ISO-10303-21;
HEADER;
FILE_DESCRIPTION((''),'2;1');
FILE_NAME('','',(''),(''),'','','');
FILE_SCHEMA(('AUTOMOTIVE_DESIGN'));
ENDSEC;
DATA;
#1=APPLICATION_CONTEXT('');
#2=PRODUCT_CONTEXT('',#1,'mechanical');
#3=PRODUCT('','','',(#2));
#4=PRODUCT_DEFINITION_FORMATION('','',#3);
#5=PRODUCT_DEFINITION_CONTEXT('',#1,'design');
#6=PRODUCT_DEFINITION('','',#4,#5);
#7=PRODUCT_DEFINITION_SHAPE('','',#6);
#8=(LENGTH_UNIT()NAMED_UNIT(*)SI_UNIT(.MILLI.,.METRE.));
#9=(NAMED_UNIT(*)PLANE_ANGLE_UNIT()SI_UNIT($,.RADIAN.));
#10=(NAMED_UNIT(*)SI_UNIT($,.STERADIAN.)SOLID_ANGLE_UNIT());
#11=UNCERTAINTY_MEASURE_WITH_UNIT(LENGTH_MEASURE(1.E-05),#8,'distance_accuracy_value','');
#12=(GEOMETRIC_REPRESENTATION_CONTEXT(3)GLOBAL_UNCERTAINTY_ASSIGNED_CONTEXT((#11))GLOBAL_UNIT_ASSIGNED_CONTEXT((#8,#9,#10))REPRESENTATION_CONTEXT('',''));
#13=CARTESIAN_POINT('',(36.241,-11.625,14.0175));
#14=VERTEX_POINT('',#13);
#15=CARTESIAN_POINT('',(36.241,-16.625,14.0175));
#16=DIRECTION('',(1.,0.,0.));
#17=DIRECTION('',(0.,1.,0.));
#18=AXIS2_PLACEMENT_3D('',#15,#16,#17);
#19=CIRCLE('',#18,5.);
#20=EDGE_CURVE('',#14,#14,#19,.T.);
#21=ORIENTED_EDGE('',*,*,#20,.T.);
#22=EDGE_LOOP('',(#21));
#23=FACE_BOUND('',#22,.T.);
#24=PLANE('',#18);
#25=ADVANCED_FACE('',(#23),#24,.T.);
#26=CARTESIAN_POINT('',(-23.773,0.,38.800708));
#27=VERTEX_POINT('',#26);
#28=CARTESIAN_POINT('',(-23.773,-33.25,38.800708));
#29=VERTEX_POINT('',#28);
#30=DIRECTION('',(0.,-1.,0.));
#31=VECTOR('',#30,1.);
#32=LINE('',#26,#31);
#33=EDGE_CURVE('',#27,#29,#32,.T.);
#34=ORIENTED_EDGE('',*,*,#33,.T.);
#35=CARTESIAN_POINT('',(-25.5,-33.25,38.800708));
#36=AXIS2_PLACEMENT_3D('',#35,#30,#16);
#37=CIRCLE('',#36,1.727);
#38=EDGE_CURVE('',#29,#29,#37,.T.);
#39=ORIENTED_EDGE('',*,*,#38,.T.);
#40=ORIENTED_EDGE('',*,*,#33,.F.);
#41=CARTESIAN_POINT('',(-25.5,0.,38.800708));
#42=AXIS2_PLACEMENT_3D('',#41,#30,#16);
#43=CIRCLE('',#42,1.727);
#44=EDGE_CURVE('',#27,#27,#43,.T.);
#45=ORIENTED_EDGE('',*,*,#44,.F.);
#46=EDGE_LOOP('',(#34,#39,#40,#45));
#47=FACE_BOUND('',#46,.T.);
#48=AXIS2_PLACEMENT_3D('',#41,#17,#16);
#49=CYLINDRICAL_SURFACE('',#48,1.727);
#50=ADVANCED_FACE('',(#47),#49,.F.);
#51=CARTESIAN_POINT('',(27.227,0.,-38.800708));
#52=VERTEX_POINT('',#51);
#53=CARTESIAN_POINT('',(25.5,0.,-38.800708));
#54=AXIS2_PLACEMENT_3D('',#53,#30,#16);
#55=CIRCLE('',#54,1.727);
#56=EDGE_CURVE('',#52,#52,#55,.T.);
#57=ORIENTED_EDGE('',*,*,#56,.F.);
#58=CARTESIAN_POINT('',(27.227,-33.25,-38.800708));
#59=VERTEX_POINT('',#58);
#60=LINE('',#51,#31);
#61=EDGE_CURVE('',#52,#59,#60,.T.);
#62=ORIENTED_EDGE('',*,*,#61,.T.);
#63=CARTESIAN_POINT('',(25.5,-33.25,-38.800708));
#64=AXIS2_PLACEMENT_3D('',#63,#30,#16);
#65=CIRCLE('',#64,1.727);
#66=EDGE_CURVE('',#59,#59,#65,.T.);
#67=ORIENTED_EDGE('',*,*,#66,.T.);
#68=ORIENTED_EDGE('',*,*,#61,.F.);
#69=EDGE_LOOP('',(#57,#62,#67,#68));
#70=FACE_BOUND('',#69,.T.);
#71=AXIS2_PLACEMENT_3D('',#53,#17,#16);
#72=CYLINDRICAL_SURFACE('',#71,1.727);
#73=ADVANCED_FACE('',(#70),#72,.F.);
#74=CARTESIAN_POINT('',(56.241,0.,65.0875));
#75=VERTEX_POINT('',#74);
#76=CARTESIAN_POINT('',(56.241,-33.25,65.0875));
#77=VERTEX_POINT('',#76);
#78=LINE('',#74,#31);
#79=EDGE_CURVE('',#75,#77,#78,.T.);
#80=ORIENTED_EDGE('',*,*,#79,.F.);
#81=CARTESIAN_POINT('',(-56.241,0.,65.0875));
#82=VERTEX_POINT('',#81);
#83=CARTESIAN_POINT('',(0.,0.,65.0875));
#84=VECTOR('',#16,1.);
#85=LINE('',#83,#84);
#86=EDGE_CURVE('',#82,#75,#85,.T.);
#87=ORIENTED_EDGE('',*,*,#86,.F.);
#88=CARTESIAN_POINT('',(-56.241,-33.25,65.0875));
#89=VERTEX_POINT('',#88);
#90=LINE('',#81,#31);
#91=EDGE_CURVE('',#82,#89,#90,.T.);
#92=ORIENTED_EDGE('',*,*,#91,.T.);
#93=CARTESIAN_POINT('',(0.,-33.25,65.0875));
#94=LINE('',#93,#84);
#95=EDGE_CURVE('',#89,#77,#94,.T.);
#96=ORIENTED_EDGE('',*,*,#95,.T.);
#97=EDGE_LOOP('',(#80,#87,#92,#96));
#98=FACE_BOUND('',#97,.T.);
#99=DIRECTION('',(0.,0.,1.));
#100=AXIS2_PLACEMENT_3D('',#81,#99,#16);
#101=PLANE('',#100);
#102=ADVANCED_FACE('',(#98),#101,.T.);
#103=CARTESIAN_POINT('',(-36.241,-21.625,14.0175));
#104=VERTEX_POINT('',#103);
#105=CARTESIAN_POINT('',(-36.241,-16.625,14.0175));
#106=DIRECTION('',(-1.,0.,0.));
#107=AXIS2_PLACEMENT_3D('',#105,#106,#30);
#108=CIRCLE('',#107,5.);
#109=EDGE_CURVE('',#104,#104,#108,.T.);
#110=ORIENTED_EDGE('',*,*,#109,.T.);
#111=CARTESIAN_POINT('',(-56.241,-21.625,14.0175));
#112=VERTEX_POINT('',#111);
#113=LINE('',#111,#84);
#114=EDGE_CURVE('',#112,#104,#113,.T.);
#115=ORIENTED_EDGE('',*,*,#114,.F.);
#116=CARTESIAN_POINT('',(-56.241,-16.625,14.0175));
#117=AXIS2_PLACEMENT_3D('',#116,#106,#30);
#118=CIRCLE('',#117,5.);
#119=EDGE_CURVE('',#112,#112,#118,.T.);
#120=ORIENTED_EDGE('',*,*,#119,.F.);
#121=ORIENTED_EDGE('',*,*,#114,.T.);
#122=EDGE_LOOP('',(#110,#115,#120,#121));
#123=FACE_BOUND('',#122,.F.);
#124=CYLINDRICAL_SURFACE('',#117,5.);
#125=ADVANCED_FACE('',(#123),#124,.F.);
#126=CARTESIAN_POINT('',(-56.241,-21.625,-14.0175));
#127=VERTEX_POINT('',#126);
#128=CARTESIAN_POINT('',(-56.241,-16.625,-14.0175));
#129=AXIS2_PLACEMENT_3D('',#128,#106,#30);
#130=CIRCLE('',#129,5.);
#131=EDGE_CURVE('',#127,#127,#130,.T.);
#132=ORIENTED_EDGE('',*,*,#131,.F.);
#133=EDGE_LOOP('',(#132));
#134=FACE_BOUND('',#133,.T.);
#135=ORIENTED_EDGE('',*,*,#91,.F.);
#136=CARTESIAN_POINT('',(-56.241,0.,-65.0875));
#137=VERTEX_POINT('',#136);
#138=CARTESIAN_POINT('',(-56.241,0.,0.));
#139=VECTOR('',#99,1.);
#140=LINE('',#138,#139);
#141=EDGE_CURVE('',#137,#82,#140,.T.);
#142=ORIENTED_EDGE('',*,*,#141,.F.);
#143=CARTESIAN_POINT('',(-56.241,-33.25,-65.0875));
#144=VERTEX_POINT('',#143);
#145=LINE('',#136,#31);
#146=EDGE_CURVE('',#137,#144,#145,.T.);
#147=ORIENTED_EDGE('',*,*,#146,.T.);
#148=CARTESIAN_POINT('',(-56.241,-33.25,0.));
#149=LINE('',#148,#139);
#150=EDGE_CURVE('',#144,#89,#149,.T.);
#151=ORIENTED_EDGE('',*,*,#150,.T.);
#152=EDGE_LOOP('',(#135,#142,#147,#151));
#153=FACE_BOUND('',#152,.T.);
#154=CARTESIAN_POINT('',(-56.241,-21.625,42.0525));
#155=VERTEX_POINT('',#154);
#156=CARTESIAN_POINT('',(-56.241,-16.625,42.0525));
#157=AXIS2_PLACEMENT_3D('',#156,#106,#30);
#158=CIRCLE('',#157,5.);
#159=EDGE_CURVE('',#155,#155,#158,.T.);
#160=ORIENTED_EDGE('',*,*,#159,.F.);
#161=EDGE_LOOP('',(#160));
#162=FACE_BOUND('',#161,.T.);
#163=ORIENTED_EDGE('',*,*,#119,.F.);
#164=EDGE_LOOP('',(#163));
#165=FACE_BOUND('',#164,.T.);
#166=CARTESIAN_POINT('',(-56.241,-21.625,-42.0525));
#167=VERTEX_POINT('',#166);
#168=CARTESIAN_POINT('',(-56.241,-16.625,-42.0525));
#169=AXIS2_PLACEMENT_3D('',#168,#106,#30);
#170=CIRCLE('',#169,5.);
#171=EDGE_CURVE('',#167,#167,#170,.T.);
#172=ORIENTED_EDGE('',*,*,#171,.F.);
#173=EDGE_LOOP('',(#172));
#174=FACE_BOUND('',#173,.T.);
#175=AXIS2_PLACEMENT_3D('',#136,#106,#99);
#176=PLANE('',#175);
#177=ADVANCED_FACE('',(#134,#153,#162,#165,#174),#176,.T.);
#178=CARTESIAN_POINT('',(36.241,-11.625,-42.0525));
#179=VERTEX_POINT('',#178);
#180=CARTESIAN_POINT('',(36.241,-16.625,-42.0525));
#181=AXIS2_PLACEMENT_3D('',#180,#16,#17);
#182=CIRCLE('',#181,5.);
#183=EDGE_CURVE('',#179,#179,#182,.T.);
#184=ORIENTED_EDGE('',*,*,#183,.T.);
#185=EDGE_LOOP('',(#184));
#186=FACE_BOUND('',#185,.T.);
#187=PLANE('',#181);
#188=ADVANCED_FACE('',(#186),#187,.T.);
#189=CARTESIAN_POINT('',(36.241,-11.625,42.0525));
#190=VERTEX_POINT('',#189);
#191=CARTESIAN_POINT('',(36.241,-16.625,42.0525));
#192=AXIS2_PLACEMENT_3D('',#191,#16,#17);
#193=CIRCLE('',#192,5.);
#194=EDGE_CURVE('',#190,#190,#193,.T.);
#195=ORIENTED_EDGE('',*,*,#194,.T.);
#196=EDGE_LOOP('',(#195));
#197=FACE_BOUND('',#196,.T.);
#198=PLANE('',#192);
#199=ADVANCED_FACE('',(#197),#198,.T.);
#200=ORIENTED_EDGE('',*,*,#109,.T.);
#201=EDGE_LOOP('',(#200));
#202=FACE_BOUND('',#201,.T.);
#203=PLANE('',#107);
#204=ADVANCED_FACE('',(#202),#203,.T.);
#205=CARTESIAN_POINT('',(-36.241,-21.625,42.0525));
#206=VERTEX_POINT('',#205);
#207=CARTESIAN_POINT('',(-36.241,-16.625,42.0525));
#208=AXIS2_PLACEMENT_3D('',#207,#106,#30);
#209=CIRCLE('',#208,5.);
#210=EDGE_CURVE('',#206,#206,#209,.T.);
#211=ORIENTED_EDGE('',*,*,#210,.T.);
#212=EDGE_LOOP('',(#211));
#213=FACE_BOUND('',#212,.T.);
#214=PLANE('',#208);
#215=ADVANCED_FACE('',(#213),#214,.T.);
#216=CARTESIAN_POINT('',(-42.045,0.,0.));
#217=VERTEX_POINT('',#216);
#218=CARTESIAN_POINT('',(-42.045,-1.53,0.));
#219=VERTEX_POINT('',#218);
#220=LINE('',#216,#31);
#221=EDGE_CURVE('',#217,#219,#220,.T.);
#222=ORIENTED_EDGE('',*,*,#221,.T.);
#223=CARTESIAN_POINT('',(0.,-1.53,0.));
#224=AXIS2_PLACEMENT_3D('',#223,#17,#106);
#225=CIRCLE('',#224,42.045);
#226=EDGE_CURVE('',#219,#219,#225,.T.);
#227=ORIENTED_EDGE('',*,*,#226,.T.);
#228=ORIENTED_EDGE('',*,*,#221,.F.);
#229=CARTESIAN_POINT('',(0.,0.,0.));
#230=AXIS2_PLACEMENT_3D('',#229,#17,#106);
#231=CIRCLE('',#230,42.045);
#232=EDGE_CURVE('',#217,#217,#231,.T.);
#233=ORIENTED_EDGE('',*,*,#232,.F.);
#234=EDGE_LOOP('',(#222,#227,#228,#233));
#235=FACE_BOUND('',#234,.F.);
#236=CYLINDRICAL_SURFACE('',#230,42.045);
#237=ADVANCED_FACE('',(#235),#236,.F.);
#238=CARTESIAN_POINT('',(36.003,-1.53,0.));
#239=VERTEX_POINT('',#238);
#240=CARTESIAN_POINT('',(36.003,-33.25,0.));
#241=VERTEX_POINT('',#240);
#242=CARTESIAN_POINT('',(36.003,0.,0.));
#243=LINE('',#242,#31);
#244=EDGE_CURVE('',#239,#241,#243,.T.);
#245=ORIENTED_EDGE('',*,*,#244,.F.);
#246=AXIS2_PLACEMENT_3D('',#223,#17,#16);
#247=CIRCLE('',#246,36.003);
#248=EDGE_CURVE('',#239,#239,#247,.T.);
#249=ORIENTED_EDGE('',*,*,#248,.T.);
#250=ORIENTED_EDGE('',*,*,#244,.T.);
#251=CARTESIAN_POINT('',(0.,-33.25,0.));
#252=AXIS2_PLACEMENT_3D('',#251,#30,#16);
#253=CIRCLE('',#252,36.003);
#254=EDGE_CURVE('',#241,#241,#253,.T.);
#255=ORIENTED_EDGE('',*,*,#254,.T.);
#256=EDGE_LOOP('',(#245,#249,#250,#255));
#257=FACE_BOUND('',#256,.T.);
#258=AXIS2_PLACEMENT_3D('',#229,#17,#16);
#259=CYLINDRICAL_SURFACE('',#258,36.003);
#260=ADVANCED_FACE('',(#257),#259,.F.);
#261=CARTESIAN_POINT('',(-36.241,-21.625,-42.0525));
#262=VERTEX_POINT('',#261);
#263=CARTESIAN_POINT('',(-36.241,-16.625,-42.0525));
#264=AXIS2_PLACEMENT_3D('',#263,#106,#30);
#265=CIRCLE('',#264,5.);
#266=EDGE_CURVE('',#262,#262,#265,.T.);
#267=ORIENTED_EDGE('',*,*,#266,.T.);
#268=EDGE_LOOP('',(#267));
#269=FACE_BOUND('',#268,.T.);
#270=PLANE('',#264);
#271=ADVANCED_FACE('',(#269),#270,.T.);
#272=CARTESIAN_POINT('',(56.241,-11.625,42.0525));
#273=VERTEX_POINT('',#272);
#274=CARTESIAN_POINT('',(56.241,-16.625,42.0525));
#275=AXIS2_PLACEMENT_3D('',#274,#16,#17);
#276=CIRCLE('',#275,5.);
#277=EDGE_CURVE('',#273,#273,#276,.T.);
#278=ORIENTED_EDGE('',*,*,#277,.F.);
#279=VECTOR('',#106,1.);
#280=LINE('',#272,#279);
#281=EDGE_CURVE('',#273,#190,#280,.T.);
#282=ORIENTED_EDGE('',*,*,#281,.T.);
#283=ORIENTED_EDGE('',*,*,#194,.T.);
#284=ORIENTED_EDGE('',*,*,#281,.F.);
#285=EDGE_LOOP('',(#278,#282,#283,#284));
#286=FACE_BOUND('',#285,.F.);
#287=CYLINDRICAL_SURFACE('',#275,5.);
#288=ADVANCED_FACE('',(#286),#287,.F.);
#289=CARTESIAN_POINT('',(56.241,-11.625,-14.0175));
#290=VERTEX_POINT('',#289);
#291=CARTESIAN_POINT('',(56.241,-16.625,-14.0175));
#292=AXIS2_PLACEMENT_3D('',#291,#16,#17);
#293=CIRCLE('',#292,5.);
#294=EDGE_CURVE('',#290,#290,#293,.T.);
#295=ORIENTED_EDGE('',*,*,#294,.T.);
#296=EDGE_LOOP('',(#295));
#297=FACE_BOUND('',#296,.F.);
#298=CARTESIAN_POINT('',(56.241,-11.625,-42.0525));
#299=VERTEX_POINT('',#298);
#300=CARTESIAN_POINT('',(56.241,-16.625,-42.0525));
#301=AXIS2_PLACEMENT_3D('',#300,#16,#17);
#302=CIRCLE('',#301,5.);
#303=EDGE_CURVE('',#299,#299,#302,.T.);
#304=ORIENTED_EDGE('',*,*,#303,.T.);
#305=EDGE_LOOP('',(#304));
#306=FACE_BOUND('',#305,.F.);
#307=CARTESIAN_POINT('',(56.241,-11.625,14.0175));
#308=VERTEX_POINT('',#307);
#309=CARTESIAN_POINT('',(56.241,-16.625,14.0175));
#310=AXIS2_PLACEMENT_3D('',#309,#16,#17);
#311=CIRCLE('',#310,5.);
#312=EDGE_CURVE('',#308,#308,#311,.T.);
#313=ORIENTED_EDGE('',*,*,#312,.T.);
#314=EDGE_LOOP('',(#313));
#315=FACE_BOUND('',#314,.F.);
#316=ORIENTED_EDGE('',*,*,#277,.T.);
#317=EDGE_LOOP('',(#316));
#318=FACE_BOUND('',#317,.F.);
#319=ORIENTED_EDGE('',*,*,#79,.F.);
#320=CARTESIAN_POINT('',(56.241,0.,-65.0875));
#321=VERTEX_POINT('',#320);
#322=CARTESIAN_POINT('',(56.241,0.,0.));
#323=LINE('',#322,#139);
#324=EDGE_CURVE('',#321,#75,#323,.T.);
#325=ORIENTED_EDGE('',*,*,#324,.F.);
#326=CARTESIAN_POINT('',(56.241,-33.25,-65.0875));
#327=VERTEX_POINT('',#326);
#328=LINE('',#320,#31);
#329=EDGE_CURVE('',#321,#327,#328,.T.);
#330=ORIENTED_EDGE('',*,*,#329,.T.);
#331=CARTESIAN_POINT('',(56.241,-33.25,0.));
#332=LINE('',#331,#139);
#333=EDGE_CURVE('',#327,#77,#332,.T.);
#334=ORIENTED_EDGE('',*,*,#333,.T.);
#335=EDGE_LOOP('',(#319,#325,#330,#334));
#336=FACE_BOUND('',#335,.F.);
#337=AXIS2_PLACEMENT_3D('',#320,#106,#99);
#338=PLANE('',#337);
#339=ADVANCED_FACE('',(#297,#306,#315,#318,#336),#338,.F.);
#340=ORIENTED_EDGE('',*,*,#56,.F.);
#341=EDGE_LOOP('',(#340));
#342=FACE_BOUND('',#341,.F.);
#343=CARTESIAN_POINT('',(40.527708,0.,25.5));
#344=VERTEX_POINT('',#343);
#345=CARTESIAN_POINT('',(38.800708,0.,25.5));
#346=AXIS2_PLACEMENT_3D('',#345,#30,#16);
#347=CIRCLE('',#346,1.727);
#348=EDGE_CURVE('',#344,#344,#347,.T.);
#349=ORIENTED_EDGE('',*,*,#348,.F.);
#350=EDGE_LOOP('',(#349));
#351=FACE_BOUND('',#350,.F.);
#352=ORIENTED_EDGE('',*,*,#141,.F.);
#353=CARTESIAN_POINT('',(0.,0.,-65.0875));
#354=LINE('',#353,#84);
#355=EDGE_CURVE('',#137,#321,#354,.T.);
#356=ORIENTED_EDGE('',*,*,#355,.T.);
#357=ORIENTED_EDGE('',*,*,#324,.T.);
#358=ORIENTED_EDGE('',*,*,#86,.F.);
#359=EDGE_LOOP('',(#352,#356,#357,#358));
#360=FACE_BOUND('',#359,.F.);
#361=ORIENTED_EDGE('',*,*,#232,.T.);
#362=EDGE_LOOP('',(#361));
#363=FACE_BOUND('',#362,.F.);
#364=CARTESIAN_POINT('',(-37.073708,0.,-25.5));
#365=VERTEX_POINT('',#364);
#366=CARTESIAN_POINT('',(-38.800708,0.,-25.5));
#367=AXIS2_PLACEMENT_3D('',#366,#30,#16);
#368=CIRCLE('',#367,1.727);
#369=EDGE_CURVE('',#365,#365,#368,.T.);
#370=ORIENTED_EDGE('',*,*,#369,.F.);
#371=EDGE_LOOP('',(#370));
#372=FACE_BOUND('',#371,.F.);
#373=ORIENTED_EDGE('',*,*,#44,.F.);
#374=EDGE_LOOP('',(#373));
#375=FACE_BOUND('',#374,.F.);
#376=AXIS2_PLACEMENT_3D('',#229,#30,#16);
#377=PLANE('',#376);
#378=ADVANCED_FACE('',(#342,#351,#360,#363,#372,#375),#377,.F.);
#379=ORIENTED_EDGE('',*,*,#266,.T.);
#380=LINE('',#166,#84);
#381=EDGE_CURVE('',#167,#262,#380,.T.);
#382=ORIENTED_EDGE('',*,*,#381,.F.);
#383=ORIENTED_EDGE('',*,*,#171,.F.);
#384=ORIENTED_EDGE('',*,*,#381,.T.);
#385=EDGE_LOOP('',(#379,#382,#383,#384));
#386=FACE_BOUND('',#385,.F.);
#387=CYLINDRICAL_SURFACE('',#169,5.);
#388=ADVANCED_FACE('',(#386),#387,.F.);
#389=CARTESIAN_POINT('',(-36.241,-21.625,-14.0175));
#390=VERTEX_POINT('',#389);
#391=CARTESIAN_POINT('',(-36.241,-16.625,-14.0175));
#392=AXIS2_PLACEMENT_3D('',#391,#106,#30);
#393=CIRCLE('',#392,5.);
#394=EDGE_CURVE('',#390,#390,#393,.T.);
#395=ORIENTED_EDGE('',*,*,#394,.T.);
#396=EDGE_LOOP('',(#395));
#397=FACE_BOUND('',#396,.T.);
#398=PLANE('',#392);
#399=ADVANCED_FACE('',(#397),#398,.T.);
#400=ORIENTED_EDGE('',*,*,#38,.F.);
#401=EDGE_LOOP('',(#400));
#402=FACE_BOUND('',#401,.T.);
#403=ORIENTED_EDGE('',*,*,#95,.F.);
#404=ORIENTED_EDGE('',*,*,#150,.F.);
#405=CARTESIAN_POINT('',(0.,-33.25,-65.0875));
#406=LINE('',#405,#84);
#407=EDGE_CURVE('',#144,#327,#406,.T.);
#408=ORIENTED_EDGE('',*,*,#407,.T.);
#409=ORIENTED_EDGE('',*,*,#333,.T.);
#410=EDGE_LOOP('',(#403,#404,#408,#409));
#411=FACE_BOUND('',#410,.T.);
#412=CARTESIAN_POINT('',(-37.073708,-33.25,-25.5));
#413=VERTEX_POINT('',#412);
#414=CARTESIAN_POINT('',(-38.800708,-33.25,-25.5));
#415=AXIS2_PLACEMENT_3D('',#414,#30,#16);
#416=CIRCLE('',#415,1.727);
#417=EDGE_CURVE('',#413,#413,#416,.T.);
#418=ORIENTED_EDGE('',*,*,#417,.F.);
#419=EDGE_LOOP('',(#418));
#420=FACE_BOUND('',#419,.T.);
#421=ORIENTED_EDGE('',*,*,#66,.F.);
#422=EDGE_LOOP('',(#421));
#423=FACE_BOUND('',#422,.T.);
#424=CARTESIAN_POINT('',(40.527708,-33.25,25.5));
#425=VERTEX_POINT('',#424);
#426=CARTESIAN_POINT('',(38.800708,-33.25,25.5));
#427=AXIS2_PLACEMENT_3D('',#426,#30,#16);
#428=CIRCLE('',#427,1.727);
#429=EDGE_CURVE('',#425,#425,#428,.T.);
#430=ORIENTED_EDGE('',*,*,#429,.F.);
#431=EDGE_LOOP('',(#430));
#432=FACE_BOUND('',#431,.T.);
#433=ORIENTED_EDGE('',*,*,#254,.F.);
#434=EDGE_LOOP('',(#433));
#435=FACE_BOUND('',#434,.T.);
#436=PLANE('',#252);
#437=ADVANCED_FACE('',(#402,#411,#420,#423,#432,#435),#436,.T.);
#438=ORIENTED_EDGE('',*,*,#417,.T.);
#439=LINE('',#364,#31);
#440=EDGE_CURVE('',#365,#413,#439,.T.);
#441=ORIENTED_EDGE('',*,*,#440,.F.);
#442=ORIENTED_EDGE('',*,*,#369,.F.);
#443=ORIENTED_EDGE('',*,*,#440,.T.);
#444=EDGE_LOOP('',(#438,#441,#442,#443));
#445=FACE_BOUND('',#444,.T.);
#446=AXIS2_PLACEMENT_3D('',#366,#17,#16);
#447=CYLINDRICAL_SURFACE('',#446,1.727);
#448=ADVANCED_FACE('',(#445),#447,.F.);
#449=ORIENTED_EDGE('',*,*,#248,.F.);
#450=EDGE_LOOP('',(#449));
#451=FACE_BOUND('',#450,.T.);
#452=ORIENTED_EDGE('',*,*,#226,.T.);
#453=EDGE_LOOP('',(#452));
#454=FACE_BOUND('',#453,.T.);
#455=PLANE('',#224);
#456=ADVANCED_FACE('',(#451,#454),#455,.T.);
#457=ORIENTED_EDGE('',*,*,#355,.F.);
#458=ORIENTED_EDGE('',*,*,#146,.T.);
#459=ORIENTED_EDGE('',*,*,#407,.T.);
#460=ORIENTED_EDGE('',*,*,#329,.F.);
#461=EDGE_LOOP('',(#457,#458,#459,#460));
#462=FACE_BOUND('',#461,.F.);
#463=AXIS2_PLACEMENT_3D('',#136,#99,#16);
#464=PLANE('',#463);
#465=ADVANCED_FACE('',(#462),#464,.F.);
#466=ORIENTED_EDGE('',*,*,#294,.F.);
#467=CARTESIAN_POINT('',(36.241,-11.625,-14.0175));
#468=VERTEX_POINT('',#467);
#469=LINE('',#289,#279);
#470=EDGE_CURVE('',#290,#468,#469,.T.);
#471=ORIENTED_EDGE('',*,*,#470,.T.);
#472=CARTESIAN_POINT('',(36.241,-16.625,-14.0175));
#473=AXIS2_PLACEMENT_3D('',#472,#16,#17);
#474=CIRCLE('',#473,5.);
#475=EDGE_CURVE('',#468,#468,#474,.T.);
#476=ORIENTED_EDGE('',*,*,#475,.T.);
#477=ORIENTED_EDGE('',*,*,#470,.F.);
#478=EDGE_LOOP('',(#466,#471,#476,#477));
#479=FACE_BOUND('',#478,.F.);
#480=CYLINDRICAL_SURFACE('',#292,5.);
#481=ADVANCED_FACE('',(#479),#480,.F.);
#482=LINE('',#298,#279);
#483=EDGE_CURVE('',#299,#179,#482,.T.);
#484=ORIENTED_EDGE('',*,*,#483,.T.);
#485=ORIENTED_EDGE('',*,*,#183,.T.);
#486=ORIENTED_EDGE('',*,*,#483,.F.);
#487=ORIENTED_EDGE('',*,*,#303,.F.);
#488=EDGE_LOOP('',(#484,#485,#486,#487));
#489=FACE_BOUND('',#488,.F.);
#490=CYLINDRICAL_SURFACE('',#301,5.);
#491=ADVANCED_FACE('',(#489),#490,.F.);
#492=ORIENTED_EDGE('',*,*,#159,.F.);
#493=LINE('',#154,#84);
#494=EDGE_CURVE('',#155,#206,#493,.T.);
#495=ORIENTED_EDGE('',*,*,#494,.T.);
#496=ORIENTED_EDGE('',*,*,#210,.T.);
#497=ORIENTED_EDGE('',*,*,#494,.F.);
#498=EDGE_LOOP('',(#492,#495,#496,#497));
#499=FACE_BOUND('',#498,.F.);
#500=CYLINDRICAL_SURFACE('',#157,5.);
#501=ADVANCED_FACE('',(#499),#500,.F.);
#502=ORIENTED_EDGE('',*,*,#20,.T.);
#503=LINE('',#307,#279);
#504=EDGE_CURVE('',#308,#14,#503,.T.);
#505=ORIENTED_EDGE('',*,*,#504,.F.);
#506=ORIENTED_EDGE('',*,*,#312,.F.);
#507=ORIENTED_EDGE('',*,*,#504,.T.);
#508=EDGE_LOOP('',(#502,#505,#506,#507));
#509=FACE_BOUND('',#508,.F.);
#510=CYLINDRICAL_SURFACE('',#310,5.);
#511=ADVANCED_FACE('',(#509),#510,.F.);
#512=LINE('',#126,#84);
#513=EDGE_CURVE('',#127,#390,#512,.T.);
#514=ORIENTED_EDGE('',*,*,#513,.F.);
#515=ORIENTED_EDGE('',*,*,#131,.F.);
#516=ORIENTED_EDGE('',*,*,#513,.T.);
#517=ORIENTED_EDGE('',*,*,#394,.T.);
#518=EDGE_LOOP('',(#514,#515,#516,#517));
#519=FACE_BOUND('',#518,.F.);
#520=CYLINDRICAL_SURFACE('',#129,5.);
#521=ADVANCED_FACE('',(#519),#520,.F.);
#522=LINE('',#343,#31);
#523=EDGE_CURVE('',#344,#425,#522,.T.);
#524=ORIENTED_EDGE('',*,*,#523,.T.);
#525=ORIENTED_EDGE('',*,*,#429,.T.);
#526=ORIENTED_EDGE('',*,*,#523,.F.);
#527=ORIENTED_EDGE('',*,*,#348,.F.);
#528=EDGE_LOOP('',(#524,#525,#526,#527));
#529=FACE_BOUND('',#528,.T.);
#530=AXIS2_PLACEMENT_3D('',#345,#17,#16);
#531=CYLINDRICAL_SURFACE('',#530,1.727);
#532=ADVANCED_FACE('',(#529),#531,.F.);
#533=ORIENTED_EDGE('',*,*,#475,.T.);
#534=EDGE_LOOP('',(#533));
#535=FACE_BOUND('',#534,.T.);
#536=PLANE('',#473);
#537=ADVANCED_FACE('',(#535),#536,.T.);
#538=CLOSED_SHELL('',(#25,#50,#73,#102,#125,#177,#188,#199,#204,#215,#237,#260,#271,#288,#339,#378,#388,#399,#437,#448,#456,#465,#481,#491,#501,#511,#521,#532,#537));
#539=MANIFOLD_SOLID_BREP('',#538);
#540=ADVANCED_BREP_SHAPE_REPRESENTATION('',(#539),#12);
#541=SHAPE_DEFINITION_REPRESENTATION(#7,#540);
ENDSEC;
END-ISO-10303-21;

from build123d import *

# Parameters (mm, degrees)
F0_W     = 112.482
F0_H     = 130.175
F0_R     = 1.727
F0_R_2   = 36.003
F1_DEPTH = 33.25
F2_R     = 5
F3_DEPTH = 20
F4_R     = 5
F5_DEPTH = 20
F6_R     = 42.045
F7_DEPTH = 1.53


with BuildPart() as f1:
    # F0 (on Front) → F1 (new body)
    with BuildSketch(Plane.XZ):
        Rectangle(F0_W, F0_H)
        with Locations((-38.800708, -25.5)):
            Circle(F0_R, mode=Mode.SUBTRACT)
        with Locations((25.5, -38.800708)):
            Circle(F0_R, mode=Mode.SUBTRACT)
        with Locations((-25.5, 38.800708)):
            Circle(F0_R, mode=Mode.SUBTRACT)
        with Locations((0, 0)):
            Circle(F0_R_2, mode=Mode.SUBTRACT)
        with Locations((38.800708, 25.5)):
            Circle(F0_R, mode=Mode.SUBTRACT)
    extrude(amount=F1_DEPTH)

    # F2 (on face) → F3 (cut)
    with BuildSketch(Plane(origin=(-56.241, 0, 0), x_dir=(0, -1, 0), z_dir=(-1, 0, 0))):
        with Locations((16.625, 42.0525)):
            Circle(F2_R)
        with Locations((16.625, 14.0175)):
            Circle(F2_R)
        with Locations((16.625, -14.0175)):
            Circle(F2_R)
        with Locations((16.625, -42.0525)):
            Circle(F2_R)
    extrude(amount=-F3_DEPTH, mode=Mode.SUBTRACT)

    # F4 (on face) → F5 (cut)
    with BuildSketch(Plane.YZ.offset(56.241)):
        with Locations((-16.625, 42.0525)):
            Circle(F4_R)
        with Locations((-16.625, 14.0175)):
            Circle(F4_R)
        with Locations((-16.625, -14.0175)):
            Circle(F4_R)
        with Locations((-16.625, -42.0525)):
            Circle(F4_R)
    extrude(amount=-F5_DEPTH, mode=Mode.SUBTRACT)

    # F6 (on face) → F7 (cut)
    with BuildSketch(Plane(origin=(0, 0, 0), x_dir=(-1, 0, 0), z_dir=(0, 1, 0))):
        Circle(F6_R)
    extrude(amount=-F7_DEPTH, mode=Mode.SUBTRACT)


solid = f1.part
